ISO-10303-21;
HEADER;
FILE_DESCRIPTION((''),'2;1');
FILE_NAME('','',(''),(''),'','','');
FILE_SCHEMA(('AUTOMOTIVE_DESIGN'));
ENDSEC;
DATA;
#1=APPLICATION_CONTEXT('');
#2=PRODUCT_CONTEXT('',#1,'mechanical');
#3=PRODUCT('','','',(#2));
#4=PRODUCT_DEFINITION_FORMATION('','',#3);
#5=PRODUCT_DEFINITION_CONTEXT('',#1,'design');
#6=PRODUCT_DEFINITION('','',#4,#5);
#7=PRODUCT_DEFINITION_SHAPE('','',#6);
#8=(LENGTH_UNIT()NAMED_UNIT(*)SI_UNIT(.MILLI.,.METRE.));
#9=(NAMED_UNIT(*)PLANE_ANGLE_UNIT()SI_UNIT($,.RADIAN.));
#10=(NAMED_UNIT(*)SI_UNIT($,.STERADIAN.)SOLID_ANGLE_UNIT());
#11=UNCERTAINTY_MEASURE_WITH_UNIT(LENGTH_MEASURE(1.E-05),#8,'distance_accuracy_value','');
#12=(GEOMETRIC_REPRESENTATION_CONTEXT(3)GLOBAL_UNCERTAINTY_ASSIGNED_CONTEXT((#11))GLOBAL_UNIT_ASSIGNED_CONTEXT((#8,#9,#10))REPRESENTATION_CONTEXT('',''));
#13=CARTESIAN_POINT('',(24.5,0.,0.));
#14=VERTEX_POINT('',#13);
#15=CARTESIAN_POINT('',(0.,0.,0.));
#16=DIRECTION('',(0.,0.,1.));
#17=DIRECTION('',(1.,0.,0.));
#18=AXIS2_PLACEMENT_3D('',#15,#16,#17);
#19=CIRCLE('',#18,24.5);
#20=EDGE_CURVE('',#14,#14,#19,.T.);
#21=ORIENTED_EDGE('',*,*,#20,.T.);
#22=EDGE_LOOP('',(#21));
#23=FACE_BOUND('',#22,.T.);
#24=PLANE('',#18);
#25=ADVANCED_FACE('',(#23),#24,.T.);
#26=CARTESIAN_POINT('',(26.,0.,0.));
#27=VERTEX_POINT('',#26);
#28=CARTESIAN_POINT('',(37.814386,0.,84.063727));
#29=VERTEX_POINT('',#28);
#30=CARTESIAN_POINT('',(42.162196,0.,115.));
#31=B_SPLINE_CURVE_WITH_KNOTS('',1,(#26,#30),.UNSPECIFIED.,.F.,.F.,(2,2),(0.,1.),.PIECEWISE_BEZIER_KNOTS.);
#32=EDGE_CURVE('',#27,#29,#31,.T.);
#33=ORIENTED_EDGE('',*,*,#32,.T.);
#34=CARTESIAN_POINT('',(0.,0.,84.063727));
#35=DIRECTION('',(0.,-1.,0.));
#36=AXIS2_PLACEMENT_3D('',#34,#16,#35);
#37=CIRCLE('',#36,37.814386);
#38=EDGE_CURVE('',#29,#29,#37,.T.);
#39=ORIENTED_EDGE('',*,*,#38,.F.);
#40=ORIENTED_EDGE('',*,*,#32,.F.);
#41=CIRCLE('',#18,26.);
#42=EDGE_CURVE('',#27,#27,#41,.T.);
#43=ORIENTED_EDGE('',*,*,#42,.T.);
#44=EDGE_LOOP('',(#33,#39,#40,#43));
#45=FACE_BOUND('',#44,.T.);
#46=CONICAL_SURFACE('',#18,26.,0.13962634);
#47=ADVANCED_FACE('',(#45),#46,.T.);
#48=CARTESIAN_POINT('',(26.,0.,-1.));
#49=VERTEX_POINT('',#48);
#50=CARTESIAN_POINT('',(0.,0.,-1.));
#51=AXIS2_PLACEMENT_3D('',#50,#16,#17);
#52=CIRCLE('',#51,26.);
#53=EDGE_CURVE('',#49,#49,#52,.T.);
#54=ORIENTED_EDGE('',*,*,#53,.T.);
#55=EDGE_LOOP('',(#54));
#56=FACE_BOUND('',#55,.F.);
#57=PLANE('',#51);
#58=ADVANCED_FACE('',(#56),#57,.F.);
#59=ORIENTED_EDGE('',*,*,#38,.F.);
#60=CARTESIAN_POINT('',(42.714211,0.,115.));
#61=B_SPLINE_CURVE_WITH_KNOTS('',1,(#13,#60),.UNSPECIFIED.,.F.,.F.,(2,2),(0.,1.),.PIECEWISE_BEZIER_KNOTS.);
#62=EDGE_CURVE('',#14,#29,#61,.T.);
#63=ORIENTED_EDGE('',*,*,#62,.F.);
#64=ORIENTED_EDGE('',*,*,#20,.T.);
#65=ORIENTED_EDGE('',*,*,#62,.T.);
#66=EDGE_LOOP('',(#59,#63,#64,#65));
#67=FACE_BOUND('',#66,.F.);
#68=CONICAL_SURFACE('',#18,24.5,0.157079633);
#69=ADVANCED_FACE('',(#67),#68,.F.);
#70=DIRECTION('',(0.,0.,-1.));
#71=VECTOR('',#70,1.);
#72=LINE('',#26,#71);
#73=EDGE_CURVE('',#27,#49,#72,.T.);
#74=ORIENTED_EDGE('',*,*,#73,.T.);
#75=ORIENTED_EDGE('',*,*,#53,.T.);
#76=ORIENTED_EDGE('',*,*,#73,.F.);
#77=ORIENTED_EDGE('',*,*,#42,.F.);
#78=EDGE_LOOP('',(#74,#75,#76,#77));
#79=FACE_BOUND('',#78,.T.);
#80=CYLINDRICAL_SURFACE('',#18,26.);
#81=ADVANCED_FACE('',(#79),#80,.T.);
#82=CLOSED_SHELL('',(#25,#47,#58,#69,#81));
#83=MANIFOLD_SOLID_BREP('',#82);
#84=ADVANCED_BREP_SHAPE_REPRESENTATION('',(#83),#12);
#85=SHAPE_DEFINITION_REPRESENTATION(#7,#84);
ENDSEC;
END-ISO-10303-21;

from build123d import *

# Parameters (mm, degrees)
F0_R          = 26
F1_DEPTH      = 115
F1_TAPER      = -8
F1_DEPTH_BACK = 1
F2_R          = 24.5
F3_DEPTH      = 115
F3_TAPER      = -9


with BuildPart() as f1:
    # F0 (on Top) → F1 (new body, two sides)
    with BuildSketch(Plane.XY) as f1_sk:
        Circle(F0_R)
    extrude(amount=F1_DEPTH, taper=F1_TAPER)
    extrude(f1_sk.sketch, amount=-F1_DEPTH_BACK)

    # F2 (on Top) → F3 (cut)
    with BuildSketch(Plane.XY):
        Circle(F2_R)
    extrude(amount=F3_DEPTH, taper=F3_TAPER, mode=Mode.SUBTRACT)


solid = f1.part
